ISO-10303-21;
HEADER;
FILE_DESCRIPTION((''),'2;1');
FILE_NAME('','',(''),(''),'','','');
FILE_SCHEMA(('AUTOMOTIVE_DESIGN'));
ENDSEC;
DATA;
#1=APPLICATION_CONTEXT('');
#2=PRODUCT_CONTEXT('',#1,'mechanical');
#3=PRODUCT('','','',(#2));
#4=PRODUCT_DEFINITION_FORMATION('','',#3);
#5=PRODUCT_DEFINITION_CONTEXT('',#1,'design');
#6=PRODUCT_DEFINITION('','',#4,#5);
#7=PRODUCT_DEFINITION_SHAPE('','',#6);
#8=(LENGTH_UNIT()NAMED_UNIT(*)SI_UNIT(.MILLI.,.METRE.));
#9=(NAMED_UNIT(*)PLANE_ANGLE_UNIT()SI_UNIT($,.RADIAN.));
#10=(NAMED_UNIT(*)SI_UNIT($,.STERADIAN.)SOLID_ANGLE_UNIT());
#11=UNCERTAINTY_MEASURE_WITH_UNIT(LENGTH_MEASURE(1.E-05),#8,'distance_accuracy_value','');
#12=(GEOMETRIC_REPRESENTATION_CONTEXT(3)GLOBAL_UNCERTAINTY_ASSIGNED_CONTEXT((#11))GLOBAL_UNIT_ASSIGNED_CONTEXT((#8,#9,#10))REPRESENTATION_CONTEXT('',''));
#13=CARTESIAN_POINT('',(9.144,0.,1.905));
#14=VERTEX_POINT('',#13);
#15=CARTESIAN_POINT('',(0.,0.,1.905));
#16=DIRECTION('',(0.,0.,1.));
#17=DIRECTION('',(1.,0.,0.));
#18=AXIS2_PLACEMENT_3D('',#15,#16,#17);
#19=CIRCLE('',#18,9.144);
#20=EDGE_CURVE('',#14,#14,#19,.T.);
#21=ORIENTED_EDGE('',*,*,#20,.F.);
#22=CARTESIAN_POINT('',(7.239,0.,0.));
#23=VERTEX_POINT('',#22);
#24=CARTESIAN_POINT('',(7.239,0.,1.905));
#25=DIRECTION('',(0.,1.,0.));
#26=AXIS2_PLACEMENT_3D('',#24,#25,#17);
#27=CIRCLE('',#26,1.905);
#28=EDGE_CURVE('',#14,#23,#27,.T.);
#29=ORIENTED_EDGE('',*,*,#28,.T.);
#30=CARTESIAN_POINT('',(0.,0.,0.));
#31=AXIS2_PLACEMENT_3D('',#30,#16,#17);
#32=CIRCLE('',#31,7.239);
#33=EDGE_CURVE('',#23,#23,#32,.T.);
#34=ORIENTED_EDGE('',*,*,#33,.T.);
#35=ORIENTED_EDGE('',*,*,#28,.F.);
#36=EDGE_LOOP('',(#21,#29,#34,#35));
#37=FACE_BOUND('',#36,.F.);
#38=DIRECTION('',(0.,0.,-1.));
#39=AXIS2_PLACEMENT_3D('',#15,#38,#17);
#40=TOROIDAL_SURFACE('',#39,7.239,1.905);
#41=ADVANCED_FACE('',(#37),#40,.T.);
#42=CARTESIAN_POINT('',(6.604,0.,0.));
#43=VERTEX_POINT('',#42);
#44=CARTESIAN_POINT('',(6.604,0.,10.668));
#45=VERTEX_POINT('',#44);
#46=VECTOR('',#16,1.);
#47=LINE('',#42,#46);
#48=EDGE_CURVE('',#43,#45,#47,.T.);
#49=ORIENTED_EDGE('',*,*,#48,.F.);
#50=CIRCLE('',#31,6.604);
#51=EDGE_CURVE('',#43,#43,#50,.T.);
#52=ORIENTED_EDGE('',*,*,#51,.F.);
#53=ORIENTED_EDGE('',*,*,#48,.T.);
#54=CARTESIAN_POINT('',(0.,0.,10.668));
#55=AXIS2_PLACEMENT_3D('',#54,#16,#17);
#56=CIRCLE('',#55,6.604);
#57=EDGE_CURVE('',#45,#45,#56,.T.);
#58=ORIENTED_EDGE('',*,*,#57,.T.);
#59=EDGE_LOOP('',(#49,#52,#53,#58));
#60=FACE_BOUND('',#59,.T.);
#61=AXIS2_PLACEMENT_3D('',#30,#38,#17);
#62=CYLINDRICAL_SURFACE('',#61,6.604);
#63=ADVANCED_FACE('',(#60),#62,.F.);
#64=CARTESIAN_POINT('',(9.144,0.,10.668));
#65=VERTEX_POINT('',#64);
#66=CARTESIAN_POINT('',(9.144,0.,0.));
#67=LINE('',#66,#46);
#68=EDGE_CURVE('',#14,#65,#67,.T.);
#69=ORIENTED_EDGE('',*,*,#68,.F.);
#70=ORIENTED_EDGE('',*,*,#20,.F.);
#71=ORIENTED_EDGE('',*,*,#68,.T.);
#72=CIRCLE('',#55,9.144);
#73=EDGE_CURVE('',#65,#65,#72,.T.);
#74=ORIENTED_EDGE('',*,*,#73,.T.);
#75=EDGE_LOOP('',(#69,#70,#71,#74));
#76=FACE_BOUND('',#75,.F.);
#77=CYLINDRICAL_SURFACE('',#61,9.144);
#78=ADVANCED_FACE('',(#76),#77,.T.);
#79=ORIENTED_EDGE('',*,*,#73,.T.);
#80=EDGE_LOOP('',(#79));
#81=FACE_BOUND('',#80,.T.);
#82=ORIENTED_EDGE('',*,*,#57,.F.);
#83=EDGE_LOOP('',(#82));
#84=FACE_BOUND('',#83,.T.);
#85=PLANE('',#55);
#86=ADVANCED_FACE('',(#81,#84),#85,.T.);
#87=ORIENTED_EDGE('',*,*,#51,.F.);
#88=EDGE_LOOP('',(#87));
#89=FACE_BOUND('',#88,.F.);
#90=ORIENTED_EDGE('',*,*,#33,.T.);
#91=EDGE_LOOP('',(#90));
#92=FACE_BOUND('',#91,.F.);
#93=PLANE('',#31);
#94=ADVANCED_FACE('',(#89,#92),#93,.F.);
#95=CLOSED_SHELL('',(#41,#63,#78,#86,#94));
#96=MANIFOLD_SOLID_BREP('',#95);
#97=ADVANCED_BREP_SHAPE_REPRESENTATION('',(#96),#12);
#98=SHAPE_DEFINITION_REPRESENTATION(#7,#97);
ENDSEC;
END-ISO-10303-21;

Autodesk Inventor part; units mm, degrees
ref_plane "YZ Plane" through (0, 0, 0) normal (1, 0, 0) x (0, 1, 0)
ref_plane "XZ Plane" through (0, 0, 0) normal (0, 1, 0) x (-1, 0, 0)
ref_plane "XY Plane" through (0, 0, 0) normal (0, 0, 1) x (1, 0, 0)
sketch "Sketch1" plane through (0, 0, 0) normal (0, 0, 1) x (1, 0, 0)
  circle A0 centre (0, 0) radius 6.604
  circle A1 centre (0, 0) radius 9.144
  dimension "d0" = 13.208
  dimension "d2" = 2.54
extrude "Extrusion1" add sketch "Sketch1" along normal blind 10.668
fillet "Fillet1" radius 1.905 1 edges at (-9.144, 0, 0)
properties part number "Leg Spacer"
